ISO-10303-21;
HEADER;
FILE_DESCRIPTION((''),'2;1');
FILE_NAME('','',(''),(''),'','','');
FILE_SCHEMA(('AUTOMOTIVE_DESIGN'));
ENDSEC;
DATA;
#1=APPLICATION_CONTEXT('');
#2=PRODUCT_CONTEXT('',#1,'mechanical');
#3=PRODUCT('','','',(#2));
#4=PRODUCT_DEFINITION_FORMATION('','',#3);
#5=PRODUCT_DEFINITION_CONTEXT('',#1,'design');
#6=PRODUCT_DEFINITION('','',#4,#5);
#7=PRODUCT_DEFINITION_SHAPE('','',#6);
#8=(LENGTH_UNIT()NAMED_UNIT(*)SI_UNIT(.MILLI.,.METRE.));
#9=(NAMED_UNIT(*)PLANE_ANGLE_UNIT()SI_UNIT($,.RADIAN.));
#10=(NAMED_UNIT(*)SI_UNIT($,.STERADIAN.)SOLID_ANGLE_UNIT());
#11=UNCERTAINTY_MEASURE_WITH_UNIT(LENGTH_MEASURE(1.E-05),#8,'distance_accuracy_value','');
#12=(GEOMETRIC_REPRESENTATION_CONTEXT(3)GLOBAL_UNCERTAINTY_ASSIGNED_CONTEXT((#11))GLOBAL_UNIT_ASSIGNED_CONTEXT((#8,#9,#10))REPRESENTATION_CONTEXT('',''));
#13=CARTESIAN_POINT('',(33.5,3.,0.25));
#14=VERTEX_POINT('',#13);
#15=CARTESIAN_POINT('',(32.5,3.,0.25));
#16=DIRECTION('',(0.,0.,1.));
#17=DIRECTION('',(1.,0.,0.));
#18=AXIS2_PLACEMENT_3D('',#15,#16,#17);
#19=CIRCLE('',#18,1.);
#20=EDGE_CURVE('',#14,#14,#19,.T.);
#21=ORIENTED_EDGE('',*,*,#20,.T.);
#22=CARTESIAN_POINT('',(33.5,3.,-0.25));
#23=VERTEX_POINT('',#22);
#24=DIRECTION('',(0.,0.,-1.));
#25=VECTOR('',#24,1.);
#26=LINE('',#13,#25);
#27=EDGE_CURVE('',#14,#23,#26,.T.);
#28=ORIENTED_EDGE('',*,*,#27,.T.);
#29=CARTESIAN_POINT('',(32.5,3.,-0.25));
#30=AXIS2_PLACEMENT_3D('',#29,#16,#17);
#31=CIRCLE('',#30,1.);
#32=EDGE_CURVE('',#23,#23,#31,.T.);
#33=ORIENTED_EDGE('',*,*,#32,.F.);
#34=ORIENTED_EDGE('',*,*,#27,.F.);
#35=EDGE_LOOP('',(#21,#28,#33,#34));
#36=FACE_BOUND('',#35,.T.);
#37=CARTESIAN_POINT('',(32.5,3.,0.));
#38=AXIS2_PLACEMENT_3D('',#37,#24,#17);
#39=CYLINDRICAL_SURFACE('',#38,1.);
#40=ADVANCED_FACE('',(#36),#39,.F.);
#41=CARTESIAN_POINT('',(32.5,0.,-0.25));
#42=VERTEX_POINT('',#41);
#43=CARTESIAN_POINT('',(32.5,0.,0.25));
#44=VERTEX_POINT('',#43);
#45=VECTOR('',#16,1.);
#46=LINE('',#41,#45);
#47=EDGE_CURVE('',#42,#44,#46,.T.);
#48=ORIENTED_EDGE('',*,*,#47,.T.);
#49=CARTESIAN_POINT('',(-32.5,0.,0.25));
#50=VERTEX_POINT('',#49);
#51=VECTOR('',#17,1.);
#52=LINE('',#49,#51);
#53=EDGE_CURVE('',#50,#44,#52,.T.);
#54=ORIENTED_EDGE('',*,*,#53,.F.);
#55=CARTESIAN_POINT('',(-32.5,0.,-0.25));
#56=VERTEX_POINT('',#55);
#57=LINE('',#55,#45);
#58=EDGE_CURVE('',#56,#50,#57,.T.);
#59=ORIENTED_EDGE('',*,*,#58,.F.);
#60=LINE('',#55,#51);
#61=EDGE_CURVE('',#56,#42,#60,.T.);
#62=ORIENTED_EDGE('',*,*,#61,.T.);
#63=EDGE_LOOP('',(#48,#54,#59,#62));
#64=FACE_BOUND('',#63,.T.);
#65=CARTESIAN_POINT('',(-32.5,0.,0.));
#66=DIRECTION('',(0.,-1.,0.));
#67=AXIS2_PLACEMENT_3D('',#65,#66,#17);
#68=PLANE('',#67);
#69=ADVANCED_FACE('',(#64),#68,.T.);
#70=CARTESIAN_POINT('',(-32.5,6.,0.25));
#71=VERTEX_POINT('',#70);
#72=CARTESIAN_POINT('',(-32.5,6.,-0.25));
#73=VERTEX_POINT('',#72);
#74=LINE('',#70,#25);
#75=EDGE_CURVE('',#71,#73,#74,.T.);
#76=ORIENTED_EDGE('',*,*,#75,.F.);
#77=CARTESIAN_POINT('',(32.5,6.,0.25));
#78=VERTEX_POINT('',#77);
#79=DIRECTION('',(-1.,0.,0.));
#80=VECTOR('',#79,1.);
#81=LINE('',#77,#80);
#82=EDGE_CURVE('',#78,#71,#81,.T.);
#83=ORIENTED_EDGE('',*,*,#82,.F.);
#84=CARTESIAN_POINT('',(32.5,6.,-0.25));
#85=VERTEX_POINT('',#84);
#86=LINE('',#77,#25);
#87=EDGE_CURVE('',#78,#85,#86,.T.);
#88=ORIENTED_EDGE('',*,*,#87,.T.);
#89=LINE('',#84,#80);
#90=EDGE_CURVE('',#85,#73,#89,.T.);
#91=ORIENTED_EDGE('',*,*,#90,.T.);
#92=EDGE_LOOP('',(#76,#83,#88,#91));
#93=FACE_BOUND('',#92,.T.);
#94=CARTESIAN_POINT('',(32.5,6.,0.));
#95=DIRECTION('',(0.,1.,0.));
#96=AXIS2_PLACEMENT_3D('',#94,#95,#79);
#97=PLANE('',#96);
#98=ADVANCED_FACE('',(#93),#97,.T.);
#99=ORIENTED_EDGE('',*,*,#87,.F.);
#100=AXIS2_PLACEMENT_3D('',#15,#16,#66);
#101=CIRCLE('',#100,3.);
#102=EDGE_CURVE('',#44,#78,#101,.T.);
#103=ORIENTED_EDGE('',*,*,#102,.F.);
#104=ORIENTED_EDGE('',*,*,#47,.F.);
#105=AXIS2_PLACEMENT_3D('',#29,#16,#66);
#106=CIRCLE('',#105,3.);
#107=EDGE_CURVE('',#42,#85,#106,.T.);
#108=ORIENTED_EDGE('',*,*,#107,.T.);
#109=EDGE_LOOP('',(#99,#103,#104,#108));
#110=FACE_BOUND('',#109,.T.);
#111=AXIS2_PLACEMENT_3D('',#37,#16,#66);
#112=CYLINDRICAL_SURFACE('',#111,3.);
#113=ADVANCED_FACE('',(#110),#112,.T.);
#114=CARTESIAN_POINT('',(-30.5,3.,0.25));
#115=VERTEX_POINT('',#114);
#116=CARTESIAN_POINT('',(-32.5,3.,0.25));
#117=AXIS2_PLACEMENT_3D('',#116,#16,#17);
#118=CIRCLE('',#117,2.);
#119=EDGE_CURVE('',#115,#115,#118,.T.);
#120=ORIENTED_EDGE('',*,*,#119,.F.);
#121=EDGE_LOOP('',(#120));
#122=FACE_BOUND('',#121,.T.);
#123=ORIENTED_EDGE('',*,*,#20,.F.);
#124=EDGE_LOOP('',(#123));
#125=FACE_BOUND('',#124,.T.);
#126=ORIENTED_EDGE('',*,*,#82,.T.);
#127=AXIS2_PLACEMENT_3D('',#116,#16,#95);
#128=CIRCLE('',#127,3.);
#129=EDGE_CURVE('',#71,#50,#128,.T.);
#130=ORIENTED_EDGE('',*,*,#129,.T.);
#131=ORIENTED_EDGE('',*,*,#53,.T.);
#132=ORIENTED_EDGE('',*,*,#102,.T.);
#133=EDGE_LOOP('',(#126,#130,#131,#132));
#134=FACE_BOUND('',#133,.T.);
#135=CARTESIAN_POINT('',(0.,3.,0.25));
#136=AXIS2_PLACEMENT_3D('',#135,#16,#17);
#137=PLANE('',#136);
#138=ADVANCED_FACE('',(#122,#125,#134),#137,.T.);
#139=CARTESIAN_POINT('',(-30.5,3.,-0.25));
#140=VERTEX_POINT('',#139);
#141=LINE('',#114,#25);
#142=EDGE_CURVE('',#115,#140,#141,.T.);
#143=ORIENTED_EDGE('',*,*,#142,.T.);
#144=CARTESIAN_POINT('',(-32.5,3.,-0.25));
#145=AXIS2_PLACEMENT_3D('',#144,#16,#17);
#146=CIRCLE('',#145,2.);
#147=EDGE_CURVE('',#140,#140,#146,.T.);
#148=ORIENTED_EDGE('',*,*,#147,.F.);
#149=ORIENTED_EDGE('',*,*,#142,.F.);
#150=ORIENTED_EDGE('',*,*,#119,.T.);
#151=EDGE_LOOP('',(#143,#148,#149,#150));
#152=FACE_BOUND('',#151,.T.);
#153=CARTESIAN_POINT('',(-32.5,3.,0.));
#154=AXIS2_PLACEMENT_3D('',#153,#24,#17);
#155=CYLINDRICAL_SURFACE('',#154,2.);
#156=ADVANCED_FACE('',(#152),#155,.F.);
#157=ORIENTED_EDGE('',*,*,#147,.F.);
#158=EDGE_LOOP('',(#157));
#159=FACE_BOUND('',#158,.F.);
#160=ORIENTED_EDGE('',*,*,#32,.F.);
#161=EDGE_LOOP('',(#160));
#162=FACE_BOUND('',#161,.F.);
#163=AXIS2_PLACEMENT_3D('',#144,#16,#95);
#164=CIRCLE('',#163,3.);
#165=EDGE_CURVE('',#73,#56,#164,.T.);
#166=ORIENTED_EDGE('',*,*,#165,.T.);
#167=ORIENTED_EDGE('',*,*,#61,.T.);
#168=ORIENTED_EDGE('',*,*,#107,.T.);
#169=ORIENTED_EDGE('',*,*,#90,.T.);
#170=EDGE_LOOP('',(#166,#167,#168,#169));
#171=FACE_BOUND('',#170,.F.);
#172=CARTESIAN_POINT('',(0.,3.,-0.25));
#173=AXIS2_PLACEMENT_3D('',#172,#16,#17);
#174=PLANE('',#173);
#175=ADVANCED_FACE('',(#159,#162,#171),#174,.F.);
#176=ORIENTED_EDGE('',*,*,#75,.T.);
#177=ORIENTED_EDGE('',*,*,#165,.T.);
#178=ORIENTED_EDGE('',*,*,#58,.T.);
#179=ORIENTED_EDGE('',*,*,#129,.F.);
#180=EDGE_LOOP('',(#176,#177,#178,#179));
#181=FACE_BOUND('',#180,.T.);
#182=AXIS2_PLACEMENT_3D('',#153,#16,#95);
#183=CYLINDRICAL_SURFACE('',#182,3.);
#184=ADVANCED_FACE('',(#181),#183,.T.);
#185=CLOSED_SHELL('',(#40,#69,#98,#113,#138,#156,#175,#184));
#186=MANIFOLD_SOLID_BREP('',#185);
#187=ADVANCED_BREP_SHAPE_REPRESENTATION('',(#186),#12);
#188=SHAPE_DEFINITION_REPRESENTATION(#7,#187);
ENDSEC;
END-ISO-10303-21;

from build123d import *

# Parameters (mm, degrees)
F0_R     = 2
F0_R_2   = 1
F1_DEPTH = 0.25


with BuildPart() as f1:
    # F0 (on Top) → F1 (new body, symmetric)
    with BuildSketch(Plane.XY):
        with BuildLine():
            ThreePointArc((-32.5, 6), (-35.5, 3), (-32.5, 0))
            Line((-32.5, 0), (32.5, 0))
            ThreePointArc((32.5, 0), (35.5, 3), (32.5, 6))
            Line((32.5, 6), (-32.5, 6))
        make_face()
        with Locations((-32.5, 3)):
            Circle(F0_R, mode=Mode.SUBTRACT)
        with Locations((32.5, 3)):
            Circle(F0_R_2, mode=Mode.SUBTRACT)
    extrude(amount=F1_DEPTH, both=True)


solid = f1.part
